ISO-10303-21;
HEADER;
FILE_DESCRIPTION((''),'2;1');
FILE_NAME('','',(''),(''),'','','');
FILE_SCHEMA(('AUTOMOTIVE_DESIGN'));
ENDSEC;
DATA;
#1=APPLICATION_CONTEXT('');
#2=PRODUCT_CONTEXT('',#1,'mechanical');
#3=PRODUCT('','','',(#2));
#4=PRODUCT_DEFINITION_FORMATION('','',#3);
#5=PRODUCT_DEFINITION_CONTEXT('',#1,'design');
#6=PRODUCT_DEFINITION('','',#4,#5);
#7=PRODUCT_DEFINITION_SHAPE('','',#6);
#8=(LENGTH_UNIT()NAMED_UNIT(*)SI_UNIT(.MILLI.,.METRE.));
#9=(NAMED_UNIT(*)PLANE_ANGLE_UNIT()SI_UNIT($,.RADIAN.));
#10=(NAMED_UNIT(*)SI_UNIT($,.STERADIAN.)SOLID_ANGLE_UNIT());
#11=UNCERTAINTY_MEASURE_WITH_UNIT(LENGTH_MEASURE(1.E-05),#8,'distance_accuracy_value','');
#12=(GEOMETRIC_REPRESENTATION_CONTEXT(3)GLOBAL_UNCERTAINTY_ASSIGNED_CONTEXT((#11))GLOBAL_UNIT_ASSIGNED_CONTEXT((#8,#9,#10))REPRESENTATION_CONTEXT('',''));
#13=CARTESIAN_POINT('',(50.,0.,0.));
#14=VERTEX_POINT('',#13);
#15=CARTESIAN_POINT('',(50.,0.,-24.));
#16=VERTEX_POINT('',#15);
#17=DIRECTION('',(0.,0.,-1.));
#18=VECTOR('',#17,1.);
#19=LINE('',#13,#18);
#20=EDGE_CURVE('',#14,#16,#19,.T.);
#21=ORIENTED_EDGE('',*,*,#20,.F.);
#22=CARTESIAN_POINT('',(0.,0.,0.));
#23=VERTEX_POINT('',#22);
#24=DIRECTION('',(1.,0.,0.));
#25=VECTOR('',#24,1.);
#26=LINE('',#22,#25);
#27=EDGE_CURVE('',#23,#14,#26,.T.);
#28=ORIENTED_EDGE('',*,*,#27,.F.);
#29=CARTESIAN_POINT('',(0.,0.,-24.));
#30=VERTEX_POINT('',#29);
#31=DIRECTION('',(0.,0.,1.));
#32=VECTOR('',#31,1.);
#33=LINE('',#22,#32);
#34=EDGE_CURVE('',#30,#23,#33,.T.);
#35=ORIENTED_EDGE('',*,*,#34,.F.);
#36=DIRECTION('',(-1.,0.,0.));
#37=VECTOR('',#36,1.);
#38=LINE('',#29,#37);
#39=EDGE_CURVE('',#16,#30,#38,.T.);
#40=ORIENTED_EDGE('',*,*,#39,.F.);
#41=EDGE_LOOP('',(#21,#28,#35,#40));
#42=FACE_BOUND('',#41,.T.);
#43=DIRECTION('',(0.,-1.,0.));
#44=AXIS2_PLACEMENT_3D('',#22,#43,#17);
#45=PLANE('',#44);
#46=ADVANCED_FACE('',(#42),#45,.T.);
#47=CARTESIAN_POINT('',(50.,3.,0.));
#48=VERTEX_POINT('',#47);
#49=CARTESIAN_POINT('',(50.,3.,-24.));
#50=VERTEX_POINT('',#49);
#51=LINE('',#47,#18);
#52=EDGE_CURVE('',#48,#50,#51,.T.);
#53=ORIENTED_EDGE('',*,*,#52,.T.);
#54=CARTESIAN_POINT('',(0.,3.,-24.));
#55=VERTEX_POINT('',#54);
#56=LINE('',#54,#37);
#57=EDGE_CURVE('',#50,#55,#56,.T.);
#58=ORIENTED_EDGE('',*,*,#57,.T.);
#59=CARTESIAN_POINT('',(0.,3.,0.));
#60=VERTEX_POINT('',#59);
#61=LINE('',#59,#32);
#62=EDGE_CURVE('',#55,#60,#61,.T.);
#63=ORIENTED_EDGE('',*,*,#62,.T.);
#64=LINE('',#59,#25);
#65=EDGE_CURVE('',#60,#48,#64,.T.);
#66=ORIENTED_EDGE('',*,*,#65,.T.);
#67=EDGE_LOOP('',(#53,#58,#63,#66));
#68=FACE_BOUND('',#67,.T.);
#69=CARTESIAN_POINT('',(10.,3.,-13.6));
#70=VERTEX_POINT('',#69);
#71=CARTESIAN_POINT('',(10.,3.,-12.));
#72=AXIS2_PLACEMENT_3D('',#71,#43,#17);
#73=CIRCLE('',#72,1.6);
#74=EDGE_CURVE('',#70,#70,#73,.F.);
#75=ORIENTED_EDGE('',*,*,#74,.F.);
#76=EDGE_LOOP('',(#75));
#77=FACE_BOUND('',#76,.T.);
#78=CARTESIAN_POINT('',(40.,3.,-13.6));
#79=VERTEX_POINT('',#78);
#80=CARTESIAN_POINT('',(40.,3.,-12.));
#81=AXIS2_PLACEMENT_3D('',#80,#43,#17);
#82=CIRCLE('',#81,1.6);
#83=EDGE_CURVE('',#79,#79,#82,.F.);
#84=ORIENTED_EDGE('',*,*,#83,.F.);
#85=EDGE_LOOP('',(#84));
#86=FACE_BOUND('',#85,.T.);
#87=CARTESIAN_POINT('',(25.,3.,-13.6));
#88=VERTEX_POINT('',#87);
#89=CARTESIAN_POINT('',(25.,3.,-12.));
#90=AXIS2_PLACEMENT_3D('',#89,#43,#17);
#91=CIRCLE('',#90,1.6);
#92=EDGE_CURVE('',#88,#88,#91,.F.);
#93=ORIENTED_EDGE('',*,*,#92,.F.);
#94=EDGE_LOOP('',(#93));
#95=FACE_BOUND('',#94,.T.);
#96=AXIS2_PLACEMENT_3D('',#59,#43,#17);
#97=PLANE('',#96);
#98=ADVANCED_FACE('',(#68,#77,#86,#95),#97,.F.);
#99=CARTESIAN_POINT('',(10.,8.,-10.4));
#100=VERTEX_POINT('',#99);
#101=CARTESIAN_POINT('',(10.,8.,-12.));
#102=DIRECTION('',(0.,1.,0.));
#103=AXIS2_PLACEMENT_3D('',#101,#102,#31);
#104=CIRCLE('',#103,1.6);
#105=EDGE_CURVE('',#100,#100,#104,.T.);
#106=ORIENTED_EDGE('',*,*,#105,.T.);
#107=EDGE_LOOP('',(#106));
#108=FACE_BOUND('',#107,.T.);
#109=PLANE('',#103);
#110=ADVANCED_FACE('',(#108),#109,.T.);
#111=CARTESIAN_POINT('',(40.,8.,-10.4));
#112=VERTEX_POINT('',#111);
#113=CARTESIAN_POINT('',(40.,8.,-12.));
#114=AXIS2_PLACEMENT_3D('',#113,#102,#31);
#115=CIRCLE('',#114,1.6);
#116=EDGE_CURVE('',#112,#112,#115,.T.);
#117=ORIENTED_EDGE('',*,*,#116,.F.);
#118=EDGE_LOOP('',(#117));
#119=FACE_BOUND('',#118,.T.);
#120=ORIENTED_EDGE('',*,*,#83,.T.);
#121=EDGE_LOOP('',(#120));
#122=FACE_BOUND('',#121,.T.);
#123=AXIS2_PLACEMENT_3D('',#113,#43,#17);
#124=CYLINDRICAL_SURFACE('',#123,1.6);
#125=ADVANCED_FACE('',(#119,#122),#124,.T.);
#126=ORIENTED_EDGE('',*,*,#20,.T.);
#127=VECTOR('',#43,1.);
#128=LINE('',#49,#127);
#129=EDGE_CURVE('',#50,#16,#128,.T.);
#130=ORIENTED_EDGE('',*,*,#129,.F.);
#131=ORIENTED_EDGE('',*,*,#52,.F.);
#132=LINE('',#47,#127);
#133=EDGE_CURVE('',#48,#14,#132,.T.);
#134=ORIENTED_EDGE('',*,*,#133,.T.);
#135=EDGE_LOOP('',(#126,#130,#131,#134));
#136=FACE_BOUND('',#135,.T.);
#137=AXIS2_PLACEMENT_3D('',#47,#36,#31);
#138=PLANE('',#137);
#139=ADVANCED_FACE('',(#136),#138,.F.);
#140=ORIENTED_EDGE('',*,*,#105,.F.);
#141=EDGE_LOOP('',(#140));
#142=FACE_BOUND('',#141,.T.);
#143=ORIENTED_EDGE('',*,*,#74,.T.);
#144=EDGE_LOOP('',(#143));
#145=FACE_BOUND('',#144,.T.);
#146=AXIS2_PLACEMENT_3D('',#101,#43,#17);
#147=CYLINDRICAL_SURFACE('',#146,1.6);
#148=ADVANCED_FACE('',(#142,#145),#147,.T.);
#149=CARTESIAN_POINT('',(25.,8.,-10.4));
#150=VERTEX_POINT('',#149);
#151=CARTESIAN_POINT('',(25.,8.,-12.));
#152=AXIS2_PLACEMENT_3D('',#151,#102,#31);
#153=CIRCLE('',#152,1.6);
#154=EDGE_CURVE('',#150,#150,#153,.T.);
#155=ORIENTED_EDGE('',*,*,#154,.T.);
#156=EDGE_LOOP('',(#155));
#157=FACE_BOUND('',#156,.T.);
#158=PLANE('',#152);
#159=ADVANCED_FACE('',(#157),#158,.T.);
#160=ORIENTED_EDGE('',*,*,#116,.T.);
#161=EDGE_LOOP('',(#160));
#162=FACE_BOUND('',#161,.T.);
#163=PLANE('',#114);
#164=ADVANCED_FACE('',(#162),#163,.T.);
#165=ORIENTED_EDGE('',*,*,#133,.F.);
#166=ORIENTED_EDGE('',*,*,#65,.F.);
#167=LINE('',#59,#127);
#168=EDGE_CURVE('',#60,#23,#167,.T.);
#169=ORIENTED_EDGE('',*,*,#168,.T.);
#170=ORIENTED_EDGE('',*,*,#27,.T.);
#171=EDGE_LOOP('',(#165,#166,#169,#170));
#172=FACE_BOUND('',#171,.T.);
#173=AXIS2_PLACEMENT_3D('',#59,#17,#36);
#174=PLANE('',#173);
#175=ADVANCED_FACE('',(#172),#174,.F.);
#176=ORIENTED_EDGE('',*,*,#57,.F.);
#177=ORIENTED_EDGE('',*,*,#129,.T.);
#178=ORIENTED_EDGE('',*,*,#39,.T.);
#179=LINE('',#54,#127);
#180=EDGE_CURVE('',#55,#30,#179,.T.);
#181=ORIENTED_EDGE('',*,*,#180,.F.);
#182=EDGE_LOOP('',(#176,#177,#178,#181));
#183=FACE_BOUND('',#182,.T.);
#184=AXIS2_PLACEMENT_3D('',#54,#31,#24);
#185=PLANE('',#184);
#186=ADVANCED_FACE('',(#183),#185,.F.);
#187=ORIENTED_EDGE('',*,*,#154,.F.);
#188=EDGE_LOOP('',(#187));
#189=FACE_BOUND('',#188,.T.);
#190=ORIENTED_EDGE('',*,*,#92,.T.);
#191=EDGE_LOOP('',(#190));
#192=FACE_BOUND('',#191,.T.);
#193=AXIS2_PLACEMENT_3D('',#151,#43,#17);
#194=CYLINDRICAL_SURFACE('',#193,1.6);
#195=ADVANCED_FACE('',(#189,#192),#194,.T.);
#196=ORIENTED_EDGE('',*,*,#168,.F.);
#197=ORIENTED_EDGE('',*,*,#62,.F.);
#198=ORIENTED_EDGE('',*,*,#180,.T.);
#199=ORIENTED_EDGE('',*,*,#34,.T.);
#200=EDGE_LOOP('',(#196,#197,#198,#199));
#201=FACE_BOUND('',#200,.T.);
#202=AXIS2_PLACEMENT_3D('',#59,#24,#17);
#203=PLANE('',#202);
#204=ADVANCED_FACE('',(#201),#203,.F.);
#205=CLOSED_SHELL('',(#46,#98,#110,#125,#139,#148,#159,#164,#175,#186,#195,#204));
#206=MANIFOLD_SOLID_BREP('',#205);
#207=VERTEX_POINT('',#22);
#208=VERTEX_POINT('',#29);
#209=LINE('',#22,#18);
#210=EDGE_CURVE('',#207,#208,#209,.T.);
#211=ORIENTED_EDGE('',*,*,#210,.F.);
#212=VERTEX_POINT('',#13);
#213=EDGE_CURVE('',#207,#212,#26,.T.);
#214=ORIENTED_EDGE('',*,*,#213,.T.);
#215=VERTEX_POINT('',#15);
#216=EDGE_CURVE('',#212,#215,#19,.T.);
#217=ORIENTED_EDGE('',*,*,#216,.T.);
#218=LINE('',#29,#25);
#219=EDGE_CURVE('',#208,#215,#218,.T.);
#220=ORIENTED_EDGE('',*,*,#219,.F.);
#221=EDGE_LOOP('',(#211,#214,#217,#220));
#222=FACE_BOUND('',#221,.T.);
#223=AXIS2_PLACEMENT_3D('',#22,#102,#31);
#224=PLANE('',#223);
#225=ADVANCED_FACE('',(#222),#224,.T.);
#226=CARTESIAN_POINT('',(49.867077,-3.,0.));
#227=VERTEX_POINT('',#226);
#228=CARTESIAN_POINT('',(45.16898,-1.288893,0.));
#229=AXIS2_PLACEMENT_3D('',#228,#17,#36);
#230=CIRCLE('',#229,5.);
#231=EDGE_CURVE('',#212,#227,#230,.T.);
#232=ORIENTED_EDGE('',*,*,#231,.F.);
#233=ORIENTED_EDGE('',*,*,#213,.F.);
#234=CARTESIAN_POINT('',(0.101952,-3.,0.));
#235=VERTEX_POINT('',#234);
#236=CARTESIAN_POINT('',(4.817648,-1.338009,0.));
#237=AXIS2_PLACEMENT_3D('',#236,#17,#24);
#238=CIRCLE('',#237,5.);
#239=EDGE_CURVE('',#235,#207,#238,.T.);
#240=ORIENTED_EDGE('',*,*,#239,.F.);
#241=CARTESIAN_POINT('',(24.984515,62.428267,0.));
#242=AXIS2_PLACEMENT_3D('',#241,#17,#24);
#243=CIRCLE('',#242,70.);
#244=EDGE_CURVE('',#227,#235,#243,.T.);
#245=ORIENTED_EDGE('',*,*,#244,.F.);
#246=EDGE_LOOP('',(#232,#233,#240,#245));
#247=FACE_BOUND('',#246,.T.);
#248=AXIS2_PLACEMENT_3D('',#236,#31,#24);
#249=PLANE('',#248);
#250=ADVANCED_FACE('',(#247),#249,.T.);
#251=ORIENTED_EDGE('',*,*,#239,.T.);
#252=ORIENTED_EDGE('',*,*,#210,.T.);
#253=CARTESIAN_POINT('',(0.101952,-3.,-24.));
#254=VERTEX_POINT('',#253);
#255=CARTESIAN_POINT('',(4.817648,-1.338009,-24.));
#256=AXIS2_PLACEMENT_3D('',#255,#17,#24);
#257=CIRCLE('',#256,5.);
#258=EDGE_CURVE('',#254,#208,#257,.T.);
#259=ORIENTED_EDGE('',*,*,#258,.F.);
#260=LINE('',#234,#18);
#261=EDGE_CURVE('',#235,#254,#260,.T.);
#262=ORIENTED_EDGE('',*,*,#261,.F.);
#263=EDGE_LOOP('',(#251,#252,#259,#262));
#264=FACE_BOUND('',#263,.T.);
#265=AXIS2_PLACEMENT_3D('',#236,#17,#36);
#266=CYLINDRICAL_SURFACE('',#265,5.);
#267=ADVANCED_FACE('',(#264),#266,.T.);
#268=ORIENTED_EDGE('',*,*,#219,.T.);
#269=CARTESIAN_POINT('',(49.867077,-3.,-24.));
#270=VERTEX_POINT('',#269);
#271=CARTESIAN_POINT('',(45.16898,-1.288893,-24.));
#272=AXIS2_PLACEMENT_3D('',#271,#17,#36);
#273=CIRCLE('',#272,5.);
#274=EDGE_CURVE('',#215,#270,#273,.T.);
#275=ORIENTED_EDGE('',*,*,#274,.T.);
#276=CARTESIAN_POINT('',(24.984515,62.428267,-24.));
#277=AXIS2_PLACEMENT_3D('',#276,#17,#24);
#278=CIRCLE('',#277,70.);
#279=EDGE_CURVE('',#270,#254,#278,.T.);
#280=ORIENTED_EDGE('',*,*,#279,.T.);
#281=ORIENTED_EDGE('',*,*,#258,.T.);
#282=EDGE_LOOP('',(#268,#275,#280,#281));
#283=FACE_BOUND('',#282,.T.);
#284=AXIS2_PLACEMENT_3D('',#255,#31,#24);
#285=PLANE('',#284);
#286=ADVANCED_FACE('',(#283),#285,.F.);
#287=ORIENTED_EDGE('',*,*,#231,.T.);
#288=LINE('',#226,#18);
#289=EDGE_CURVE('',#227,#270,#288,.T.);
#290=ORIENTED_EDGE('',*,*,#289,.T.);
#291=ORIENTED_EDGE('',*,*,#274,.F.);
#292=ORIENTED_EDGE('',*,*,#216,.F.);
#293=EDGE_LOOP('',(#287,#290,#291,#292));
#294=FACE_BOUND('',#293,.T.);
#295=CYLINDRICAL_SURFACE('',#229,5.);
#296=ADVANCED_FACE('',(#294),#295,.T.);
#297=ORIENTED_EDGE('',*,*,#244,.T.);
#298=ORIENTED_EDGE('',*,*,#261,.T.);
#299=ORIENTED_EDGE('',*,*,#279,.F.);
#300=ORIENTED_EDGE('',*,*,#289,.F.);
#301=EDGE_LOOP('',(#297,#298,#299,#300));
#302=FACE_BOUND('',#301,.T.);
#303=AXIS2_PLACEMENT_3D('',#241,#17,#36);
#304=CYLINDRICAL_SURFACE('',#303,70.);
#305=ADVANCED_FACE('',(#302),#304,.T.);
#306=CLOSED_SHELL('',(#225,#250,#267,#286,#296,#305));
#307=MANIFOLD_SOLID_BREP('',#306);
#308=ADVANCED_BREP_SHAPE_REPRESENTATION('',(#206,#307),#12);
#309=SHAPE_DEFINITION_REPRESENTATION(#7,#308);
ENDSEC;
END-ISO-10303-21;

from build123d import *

# Parameters (mm, degrees)
SKETCH1_W           = 50
SKETCH1_H           = 24
BOSS_EXTRUDE1_DEPTH = 3
SKETCH2_R           = 1.6
BOSS_EXTRUDE2_DEPTH = 5
BOSS_EXTRUDE3_DEPTH = 24


with BuildPart() as part:
    # Sketch1 → Boss-Extrude1 (new body)
    with BuildSketch(Plane(origin=(0, 0, 0), x_dir=(1, 0, 0), z_dir=(0, 1, 0))):
        with Locations((25, 12)):
            Rectangle(SKETCH1_W, SKETCH1_H)
    extrude(amount=BOSS_EXTRUDE1_DEPTH)

    # Sketch2 → Boss-Extrude2 (add)
    with BuildSketch(Plane(origin=(0, 3, 0), x_dir=(1, 0, 0), z_dir=(0, 1, 0))):
        with Locations((10, 12)):
            Circle(SKETCH2_R)
        with Locations((25, 12)):
            Circle(SKETCH2_R)
        with Locations((40, 12)):
            Circle(SKETCH2_R)
    extrude(amount=BOSS_EXTRUDE2_DEPTH)


with BuildPart() as body_2:
    # Sketch4 → Boss-Extrude3 (new body)
    with BuildSketch(Plane(origin=(0, 0, -24), x_dir=(-1, 0, 0), z_dir=(0, 0, -1))):
        with BuildLine():
            Line((0, 0), (-50, 0))
            ThreePointArc((-50, 0), (-50.164079249, -1.510214747), (-49.867076753, -3))
            ThreePointArc((-49.867076753, -3), (-24.984514614, -7.571733162), (-0.101952476, -3))
            ThreePointArc((-0.101952476, -3), (0.179467134, -1.507831424), (0, 0))
        make_face()
    extrude(amount=-BOSS_EXTRUDE3_DEPTH)


solid = Compound([part.part, body_2.part])
